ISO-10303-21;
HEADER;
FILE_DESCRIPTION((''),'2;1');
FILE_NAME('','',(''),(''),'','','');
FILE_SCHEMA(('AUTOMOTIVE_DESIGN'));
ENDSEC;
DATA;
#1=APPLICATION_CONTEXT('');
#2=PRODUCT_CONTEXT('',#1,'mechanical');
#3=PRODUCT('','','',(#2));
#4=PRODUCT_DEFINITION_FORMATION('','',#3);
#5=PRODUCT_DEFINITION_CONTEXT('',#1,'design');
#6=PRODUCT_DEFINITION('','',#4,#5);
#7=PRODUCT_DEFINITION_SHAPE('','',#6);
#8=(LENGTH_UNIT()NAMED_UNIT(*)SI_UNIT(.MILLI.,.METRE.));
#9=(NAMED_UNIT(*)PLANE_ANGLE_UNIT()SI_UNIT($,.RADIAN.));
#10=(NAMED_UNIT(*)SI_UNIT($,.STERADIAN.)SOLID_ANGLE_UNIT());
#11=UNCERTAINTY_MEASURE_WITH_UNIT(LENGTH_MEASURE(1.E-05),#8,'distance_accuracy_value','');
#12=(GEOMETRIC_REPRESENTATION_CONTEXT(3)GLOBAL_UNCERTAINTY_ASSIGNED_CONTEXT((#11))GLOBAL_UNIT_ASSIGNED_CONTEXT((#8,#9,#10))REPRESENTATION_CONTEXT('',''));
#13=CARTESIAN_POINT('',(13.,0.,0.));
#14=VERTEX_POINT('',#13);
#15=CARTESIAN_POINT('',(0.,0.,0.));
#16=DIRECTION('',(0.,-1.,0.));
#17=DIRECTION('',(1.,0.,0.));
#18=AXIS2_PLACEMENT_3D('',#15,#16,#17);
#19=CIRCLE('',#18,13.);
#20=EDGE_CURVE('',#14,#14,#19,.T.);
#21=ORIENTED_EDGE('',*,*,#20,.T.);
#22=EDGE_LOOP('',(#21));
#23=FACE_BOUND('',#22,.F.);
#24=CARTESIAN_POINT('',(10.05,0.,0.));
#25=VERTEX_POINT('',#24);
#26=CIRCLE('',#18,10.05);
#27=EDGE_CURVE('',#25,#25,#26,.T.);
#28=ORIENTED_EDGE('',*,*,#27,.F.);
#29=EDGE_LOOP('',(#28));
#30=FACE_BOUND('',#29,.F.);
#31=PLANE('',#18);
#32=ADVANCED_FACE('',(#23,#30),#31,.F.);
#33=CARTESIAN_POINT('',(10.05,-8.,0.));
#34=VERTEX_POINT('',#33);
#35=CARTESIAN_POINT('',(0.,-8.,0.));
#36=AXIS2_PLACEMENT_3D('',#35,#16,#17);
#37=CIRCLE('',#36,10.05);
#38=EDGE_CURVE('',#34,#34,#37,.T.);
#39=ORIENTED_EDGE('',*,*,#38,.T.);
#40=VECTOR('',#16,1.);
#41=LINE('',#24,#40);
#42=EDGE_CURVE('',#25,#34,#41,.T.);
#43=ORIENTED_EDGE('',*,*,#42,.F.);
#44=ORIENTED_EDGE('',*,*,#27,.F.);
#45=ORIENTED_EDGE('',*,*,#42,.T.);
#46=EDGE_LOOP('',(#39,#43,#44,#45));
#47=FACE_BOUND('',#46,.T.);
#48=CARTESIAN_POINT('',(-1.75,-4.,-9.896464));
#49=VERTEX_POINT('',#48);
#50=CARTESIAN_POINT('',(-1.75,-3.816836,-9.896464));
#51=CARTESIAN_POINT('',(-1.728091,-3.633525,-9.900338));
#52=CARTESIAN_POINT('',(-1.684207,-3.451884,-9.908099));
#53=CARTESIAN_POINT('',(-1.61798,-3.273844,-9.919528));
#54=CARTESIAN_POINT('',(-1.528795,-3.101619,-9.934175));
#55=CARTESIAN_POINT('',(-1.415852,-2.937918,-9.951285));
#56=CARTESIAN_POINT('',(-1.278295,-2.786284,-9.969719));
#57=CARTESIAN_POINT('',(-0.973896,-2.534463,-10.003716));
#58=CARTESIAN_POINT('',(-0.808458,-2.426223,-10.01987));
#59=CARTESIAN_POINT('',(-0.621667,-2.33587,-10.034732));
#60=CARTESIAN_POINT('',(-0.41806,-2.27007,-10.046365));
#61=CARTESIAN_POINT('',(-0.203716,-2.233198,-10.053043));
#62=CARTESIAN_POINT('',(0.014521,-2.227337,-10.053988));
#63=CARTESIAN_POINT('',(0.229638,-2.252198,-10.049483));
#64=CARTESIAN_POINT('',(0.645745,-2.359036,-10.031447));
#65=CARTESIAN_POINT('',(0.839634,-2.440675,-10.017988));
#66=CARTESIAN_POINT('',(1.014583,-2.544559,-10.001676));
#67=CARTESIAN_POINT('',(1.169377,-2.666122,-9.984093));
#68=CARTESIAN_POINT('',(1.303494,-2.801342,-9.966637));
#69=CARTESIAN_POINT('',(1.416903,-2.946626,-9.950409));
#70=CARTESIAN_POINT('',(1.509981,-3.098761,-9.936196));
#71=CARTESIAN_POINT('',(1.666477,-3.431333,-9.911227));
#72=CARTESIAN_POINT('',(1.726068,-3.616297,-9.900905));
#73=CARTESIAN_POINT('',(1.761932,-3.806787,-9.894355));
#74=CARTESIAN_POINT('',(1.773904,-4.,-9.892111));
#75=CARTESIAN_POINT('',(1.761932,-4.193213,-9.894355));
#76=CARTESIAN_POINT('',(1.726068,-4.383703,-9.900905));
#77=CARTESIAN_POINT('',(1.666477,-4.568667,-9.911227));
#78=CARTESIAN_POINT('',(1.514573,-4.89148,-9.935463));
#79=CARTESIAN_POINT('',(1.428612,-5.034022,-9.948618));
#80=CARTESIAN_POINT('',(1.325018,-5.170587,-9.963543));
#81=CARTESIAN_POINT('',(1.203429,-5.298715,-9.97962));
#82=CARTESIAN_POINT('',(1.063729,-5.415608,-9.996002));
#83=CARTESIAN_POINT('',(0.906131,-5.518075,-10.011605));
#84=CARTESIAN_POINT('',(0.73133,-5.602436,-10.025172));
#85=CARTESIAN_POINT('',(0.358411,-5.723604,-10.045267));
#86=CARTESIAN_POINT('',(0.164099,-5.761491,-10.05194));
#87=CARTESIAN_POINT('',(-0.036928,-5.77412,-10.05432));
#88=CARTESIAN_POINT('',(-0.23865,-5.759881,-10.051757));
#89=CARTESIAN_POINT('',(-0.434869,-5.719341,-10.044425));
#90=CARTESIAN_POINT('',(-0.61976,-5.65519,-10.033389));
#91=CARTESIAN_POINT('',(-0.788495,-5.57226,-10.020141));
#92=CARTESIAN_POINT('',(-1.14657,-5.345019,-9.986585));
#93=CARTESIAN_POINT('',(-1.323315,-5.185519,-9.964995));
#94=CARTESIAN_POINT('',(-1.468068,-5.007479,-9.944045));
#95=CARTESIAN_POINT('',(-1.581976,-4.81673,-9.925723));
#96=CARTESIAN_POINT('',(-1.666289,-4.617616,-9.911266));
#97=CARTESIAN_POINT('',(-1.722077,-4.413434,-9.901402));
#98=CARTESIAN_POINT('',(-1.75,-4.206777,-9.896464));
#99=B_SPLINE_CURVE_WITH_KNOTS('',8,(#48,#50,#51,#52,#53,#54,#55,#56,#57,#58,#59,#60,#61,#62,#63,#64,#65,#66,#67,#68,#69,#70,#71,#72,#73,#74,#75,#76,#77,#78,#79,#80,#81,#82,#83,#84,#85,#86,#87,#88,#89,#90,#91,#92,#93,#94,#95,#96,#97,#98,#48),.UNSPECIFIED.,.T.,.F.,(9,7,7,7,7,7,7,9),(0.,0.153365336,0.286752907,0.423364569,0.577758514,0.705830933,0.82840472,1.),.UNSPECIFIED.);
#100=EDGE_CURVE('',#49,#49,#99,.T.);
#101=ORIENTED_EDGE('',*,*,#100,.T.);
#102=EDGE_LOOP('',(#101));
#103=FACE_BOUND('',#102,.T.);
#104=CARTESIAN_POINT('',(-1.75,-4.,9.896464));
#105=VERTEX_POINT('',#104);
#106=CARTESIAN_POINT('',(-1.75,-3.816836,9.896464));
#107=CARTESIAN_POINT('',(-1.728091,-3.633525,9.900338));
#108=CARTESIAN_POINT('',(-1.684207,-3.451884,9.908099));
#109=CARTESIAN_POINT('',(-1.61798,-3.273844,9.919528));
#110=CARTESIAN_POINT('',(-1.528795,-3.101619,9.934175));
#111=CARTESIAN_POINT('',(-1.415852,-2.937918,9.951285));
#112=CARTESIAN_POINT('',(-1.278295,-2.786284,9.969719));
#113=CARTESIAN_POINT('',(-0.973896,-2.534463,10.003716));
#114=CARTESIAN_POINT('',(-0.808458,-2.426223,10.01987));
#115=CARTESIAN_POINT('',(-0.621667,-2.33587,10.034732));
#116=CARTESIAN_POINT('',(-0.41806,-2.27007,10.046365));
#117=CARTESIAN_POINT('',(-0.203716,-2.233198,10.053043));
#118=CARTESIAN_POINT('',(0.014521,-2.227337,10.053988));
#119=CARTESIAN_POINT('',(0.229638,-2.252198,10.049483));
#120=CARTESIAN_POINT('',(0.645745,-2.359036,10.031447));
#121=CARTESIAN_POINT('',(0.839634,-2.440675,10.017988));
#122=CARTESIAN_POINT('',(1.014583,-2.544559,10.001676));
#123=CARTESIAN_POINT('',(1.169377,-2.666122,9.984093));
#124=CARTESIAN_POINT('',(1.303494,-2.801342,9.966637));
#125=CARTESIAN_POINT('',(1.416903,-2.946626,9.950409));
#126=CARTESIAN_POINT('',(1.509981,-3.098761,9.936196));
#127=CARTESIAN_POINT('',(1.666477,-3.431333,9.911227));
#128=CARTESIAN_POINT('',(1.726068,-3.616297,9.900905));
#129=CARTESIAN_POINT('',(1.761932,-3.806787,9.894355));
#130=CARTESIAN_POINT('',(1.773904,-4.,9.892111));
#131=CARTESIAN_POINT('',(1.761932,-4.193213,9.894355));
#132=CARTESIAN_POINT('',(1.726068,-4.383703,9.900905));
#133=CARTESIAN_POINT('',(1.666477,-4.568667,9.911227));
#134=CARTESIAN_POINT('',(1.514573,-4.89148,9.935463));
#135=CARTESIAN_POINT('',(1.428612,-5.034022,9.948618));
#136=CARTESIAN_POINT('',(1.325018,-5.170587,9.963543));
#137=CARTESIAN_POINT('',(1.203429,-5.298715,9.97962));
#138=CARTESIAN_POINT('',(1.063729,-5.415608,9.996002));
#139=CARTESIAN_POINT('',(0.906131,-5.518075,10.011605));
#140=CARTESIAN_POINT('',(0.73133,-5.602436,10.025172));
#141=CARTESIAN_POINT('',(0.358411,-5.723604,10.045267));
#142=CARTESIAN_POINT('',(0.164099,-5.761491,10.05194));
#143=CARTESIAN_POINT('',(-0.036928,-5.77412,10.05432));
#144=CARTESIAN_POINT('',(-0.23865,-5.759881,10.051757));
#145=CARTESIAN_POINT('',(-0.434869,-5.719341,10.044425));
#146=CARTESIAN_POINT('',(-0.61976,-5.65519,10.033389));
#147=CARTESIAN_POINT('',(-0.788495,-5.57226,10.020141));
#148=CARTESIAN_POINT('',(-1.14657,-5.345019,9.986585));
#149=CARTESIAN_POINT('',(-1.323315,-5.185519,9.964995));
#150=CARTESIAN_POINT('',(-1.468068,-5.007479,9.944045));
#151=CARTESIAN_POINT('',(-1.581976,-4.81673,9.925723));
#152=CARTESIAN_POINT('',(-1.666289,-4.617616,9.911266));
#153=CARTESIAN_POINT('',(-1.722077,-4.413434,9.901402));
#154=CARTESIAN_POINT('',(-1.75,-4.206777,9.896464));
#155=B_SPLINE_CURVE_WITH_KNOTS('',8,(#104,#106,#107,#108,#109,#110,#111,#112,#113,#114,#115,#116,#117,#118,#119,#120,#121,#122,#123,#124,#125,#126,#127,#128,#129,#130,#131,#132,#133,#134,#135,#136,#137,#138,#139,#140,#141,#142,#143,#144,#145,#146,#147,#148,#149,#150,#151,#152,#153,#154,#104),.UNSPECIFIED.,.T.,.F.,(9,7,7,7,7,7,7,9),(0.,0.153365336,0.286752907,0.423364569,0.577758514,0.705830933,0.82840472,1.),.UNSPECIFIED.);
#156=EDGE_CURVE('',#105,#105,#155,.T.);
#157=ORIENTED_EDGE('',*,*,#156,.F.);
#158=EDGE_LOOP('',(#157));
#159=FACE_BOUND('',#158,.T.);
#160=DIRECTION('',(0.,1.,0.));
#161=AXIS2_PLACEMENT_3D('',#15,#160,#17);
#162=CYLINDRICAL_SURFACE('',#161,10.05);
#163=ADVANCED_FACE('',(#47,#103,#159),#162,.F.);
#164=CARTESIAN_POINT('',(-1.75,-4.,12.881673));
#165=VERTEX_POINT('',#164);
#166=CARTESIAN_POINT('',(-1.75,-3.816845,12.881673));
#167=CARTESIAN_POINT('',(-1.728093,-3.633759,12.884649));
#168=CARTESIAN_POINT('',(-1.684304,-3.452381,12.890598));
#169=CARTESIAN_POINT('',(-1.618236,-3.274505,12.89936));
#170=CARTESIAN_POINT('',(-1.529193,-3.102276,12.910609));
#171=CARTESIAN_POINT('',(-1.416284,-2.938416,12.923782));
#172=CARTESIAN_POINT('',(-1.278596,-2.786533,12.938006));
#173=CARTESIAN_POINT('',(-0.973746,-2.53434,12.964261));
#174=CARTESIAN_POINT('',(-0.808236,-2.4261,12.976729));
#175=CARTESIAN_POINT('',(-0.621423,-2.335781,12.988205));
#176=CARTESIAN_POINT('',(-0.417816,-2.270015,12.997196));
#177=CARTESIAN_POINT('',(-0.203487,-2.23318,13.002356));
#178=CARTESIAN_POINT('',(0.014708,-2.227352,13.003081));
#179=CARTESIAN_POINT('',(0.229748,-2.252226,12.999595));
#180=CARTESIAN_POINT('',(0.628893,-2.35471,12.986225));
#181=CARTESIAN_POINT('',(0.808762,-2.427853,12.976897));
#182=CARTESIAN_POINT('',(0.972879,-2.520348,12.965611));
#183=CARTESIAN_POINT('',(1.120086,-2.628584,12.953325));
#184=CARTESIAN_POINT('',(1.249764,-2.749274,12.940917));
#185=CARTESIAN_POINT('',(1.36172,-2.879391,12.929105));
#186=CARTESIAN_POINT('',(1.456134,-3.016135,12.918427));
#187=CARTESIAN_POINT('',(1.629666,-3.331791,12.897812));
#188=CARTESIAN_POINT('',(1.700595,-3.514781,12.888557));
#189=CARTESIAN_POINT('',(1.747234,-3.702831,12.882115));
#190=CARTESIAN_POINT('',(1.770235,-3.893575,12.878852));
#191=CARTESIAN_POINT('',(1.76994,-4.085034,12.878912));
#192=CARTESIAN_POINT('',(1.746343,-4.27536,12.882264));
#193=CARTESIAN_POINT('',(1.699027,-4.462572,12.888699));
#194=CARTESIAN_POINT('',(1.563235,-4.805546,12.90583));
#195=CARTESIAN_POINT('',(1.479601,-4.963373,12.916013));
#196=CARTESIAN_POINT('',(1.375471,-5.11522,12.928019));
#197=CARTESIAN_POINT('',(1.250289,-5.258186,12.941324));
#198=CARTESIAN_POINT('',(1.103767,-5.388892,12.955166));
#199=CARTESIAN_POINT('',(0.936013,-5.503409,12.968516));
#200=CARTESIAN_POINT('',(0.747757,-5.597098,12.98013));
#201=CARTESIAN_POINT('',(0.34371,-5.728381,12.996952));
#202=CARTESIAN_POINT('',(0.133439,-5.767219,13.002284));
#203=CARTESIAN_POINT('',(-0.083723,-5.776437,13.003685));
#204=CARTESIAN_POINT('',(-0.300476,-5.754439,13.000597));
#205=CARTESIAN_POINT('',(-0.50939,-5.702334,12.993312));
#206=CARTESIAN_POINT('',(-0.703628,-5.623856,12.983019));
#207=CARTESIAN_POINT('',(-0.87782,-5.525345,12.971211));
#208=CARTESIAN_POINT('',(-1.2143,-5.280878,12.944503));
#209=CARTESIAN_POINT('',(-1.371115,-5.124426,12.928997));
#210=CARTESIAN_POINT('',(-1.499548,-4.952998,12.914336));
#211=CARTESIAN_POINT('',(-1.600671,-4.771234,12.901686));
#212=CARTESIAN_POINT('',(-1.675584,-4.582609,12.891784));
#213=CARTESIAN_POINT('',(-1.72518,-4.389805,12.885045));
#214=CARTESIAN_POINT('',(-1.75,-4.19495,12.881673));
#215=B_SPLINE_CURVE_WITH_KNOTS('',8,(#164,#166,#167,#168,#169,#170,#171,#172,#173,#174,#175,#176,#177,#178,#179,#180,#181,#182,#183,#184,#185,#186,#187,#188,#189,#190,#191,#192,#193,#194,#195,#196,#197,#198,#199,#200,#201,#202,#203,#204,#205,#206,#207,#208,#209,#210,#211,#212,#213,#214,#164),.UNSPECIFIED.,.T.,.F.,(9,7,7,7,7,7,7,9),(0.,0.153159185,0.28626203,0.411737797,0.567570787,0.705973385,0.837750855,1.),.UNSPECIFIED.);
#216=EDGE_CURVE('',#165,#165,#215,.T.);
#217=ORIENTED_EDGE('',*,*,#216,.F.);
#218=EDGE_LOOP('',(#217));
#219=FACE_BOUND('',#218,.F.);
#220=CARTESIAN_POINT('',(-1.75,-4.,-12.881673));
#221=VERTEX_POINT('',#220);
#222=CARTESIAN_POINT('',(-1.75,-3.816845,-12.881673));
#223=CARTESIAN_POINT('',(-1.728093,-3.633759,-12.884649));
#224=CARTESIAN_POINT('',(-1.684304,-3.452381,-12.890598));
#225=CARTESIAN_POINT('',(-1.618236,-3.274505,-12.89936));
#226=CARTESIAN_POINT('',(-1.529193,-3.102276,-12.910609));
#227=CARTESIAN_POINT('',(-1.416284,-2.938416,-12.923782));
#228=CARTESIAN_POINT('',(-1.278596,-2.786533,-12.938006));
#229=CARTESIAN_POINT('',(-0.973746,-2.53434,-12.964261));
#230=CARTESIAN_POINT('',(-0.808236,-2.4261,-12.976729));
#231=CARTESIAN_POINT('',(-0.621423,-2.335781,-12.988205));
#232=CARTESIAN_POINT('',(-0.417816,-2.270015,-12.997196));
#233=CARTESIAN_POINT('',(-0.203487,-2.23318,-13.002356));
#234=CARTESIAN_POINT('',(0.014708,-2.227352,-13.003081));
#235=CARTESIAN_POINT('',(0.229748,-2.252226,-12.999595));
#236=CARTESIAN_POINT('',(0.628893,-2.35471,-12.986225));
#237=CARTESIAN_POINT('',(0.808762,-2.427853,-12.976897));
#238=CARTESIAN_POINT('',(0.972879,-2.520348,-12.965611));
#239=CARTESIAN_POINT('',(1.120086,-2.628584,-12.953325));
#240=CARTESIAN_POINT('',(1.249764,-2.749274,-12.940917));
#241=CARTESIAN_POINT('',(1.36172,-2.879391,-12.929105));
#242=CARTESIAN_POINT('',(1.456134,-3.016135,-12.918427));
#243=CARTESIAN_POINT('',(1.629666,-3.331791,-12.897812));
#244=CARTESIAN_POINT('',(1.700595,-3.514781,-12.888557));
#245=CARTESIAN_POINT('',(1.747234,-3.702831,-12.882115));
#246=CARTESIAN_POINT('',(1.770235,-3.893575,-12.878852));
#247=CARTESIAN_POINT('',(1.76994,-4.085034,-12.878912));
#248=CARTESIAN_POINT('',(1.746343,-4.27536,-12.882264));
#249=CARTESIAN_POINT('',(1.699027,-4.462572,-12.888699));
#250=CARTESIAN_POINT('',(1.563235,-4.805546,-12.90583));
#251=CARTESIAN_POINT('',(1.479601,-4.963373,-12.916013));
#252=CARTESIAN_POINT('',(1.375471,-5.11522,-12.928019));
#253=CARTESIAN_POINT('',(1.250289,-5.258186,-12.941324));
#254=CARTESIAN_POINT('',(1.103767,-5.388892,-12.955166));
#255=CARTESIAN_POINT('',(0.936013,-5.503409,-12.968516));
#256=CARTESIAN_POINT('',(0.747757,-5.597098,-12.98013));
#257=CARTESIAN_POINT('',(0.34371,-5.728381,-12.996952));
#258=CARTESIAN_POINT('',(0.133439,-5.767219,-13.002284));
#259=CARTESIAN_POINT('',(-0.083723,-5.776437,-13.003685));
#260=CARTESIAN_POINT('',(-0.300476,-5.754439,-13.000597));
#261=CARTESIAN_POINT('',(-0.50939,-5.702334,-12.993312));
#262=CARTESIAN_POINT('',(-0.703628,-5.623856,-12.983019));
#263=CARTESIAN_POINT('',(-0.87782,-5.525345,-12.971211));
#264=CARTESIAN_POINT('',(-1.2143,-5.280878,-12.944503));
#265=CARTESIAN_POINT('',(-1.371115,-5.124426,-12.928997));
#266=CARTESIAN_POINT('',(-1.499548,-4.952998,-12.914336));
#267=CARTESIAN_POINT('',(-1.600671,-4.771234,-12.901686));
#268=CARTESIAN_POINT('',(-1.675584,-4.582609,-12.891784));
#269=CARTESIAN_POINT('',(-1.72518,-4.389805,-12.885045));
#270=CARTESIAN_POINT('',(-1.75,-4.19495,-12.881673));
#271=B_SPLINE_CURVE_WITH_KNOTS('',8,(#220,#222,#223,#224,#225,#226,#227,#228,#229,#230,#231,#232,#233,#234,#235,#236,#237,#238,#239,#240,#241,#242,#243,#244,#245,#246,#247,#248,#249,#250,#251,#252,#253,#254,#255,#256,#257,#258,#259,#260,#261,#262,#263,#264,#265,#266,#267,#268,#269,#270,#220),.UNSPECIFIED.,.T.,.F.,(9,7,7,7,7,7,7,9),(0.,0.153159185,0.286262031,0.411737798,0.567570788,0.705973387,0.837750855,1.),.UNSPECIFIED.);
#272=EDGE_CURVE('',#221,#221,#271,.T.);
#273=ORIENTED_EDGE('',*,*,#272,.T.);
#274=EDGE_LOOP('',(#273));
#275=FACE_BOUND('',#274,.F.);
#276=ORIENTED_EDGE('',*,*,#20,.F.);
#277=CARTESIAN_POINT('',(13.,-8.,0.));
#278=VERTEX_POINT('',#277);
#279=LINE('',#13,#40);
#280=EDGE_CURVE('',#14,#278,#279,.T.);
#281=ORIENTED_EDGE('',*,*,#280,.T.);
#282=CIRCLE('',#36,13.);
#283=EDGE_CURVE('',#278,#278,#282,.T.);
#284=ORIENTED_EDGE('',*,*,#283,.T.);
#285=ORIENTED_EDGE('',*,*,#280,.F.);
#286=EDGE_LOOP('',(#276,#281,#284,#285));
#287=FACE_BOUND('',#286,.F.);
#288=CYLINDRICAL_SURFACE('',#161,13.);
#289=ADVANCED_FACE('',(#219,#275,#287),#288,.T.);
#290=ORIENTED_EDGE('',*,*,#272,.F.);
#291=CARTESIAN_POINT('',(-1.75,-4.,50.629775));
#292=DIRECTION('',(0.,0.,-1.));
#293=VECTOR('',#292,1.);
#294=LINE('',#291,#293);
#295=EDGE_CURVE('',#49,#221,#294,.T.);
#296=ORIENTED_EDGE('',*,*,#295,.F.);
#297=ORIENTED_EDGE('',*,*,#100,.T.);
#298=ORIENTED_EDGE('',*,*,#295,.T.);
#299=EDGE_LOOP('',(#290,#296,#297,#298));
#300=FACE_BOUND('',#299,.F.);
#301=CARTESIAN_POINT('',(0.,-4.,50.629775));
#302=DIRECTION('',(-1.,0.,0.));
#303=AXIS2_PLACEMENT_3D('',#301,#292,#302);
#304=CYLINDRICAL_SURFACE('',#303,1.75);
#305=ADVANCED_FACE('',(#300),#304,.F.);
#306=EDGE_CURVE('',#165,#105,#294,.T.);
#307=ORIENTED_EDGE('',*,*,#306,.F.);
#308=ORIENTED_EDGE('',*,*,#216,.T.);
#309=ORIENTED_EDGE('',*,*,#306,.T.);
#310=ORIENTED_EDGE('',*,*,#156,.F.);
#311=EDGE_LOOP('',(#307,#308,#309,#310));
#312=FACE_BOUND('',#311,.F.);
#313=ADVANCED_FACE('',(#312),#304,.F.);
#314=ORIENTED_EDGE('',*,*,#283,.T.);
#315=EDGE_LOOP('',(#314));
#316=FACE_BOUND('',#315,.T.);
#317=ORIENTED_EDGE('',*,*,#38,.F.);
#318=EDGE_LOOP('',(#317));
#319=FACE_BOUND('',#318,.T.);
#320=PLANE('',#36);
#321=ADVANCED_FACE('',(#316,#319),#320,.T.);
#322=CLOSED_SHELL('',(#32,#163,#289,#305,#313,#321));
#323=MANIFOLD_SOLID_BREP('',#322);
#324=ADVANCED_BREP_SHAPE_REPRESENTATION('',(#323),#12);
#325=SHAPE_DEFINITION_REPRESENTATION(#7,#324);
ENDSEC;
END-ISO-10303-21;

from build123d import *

# Parameters (mm, degrees)
F0_R     = 13
F0_R_2   = 10.05
F1_DEPTH = 8
F4_D     = 3.5


with BuildPart() as f1:
    # F0 (on Front) → F1 (new body)
    with BuildSketch(Plane.XZ):
        Circle(F0_R)
        Circle(F0_R_2, mode=Mode.SUBTRACT)
    extrude(amount=F1_DEPTH)

    # F4 (through all)
    with Locations(Plane.XY.offset(13)):
        with Locations((0, -4)):
            Hole(F4_D / 2)


solid = f1.part
